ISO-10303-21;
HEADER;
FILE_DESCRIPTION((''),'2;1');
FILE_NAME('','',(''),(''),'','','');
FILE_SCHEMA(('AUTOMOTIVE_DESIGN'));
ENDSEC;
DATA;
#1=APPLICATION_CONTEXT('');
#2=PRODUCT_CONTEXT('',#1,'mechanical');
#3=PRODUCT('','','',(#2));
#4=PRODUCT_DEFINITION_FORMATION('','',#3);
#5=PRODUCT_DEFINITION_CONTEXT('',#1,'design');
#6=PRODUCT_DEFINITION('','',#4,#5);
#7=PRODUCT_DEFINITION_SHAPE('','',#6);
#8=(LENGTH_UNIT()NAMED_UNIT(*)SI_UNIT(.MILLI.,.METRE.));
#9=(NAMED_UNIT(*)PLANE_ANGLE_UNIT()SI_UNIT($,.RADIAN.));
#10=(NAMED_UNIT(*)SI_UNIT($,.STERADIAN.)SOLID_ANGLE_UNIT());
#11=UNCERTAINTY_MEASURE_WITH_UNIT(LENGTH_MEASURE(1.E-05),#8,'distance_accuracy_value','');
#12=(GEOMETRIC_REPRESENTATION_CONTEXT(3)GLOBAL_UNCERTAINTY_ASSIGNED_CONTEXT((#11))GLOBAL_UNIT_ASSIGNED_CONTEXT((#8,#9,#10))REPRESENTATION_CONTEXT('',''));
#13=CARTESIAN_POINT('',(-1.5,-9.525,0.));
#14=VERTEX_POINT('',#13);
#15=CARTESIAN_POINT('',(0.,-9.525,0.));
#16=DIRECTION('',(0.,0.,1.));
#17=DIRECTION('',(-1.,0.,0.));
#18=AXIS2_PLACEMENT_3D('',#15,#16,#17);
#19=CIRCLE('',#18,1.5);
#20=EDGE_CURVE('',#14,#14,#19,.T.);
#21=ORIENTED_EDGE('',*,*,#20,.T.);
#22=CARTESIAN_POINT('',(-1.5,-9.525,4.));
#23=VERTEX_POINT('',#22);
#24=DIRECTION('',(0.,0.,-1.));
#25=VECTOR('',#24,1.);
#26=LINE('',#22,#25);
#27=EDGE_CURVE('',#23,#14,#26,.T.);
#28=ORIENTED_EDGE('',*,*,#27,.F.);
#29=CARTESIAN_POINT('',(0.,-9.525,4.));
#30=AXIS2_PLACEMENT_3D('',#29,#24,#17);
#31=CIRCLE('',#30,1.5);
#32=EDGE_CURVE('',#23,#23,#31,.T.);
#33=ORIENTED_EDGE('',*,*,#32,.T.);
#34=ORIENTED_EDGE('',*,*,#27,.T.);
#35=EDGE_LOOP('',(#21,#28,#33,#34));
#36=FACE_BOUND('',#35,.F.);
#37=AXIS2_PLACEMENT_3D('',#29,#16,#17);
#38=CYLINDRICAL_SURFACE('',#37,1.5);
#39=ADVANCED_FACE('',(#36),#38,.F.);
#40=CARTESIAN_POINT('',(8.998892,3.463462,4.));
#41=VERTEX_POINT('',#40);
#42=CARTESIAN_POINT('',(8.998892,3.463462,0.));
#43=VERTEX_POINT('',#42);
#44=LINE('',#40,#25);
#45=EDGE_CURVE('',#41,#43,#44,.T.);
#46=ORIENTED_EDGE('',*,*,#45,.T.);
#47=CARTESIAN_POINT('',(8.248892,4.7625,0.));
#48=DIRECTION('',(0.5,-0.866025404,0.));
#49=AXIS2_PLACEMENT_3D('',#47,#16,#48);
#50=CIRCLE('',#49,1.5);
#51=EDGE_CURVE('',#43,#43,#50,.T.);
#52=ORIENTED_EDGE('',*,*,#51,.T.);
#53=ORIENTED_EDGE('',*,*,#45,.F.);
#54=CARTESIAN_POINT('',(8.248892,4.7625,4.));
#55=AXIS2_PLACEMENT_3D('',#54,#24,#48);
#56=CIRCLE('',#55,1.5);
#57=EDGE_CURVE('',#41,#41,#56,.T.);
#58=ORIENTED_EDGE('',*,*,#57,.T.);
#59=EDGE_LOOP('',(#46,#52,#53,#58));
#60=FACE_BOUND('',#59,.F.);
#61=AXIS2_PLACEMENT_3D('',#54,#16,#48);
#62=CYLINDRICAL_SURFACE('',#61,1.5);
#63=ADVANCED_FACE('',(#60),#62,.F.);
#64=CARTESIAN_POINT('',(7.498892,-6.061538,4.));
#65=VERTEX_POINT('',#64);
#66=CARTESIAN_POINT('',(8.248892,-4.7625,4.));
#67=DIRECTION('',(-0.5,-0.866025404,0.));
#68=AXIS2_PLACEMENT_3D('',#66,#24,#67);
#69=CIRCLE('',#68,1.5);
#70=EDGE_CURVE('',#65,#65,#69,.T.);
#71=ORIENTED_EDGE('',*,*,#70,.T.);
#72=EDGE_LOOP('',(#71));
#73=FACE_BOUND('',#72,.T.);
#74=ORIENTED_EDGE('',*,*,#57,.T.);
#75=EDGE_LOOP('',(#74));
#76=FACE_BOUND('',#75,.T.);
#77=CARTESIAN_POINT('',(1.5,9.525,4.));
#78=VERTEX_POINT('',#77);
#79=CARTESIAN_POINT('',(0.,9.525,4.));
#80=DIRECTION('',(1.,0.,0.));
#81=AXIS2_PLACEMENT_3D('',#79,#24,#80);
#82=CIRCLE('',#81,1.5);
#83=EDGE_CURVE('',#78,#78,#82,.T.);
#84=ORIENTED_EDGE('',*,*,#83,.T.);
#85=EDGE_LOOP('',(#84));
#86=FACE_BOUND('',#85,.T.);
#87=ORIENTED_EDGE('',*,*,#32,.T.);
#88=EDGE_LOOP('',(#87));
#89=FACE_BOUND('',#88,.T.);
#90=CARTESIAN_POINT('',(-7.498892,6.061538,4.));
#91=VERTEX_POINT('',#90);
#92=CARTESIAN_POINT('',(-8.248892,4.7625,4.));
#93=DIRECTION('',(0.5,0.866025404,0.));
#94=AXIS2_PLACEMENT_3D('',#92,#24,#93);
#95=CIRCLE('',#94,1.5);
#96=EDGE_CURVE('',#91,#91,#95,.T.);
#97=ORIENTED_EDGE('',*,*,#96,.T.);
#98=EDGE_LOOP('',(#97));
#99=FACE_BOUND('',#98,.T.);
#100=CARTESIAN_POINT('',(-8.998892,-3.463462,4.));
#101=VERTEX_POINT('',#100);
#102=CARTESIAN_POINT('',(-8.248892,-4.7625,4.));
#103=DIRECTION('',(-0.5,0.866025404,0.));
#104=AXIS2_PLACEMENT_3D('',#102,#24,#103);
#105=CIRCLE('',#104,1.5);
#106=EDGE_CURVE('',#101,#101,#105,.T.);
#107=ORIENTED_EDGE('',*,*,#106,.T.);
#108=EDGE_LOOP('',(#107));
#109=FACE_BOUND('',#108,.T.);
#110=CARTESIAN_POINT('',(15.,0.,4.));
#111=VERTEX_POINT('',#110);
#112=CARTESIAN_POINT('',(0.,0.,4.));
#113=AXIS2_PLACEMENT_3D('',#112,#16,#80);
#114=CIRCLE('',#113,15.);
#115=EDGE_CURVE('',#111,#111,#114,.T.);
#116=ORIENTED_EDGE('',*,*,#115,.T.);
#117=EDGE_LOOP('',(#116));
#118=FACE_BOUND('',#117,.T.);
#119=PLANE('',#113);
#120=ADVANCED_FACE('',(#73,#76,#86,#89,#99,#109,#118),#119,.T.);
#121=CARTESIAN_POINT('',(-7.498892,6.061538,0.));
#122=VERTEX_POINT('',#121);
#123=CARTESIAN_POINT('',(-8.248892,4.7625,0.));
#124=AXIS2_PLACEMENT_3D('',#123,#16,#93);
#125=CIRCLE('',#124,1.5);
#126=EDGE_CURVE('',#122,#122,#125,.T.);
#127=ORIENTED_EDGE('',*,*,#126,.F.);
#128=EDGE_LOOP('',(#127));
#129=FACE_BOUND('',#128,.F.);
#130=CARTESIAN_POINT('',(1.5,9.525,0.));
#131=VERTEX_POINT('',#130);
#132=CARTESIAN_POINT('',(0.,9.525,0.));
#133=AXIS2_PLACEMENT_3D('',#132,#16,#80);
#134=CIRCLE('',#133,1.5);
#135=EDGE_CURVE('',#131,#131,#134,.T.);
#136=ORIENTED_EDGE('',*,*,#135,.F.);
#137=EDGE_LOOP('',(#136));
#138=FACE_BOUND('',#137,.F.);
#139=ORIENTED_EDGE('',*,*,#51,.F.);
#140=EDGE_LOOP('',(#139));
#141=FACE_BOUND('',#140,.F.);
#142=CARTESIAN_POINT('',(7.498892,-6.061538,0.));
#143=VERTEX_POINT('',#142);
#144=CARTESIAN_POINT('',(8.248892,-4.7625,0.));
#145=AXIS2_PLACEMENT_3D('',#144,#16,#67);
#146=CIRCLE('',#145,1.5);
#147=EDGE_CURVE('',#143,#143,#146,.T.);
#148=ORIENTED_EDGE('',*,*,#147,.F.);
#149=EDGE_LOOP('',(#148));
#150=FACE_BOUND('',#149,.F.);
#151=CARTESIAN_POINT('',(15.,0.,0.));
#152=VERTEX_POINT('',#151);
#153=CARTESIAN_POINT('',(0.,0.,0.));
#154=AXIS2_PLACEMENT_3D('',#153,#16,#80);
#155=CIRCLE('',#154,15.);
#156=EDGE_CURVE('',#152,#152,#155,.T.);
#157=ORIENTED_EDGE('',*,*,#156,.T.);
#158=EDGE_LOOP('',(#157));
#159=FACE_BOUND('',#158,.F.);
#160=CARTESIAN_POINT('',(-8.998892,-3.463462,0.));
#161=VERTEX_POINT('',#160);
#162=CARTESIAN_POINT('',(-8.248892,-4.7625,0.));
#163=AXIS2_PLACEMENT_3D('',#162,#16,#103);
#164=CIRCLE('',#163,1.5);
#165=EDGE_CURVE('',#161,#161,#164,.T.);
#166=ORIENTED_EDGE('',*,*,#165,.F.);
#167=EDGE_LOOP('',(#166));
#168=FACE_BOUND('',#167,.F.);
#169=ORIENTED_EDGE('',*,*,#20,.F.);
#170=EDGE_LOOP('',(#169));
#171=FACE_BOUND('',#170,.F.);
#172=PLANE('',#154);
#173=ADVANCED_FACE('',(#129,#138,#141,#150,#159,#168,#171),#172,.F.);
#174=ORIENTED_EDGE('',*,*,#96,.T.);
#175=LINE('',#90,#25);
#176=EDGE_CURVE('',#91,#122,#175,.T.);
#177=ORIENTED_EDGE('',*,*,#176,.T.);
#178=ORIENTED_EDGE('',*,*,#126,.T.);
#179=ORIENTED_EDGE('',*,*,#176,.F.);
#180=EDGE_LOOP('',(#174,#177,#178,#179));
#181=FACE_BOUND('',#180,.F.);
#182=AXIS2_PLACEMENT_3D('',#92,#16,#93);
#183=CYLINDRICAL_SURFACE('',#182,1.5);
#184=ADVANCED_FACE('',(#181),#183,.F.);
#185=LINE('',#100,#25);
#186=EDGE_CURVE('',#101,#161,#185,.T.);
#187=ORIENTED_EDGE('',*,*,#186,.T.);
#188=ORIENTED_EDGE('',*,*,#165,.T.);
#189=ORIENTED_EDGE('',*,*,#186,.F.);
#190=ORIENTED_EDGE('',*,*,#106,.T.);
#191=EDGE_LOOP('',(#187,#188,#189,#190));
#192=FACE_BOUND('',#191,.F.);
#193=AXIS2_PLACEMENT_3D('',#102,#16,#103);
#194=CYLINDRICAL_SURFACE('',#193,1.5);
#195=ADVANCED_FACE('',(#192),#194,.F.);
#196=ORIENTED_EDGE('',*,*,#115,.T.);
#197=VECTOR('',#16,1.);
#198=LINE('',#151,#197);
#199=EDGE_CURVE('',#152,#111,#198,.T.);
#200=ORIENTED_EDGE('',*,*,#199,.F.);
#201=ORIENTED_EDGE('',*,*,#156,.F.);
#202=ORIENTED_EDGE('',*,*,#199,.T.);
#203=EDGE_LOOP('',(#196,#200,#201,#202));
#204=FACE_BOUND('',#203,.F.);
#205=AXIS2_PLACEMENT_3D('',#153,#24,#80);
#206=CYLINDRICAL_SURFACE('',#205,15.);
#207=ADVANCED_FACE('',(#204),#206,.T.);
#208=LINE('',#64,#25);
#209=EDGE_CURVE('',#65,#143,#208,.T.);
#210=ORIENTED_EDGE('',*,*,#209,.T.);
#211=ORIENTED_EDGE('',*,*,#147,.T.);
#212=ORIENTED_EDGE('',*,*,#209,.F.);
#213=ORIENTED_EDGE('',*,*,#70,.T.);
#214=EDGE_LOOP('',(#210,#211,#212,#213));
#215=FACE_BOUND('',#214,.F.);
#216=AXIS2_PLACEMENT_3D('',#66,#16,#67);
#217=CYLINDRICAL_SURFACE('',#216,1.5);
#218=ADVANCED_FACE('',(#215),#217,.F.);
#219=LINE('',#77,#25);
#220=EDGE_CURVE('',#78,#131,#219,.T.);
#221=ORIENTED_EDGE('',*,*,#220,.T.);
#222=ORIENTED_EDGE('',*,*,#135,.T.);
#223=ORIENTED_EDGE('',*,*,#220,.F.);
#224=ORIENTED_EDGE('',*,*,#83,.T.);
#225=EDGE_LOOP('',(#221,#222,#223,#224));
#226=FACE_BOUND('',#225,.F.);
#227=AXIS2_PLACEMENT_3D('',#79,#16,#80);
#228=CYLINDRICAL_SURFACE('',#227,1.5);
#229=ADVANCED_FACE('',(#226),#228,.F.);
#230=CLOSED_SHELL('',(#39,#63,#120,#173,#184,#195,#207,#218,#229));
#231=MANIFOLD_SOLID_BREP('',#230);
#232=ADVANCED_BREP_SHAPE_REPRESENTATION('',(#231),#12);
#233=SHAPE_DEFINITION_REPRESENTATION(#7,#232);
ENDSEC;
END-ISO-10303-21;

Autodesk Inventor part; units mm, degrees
ref_plane "YZ Plane" through (0, 0, 0) normal (1, 0, 0) x (0, 1, 0)
ref_plane "XZ Plane" through (0, 0, 0) normal (0, 1, 0) x (-1, 0, 0)
ref_plane "XY Plane" through (0, 0, 0) normal (0, 0, 1) x (1, 0, 0)
sketch "Sketch1" plane through (0, 0, 0) normal (0, 0, 1) x (1, 0, 0)
  circle A0 centre (0, 0) radius 15
  dimension "d0" = 30
extrude "Extrusion1" add sketch "Sketch1" along normal blind 4
sketch "Sketch2" plane through (0, 0, 4) normal (0, 0, 1) x (1, 0, 0)
  circle A0 centre (0, 9.525) radius 1.5
  line L0 (0, -21) -> (0, 21) projected
  point P0 (0, 0)
  dimension "d3" = 3
  dimension "d4" = 9.525
extrude "Extrusion2" cut sketch "Sketch2" against normal blind 10
pattern_circular "Circular Pattern1" count 6 over 360 about axis through (0, 0, -10) along (0, 0, 1) of "Extrusion2"
properties part number "center_cover"
